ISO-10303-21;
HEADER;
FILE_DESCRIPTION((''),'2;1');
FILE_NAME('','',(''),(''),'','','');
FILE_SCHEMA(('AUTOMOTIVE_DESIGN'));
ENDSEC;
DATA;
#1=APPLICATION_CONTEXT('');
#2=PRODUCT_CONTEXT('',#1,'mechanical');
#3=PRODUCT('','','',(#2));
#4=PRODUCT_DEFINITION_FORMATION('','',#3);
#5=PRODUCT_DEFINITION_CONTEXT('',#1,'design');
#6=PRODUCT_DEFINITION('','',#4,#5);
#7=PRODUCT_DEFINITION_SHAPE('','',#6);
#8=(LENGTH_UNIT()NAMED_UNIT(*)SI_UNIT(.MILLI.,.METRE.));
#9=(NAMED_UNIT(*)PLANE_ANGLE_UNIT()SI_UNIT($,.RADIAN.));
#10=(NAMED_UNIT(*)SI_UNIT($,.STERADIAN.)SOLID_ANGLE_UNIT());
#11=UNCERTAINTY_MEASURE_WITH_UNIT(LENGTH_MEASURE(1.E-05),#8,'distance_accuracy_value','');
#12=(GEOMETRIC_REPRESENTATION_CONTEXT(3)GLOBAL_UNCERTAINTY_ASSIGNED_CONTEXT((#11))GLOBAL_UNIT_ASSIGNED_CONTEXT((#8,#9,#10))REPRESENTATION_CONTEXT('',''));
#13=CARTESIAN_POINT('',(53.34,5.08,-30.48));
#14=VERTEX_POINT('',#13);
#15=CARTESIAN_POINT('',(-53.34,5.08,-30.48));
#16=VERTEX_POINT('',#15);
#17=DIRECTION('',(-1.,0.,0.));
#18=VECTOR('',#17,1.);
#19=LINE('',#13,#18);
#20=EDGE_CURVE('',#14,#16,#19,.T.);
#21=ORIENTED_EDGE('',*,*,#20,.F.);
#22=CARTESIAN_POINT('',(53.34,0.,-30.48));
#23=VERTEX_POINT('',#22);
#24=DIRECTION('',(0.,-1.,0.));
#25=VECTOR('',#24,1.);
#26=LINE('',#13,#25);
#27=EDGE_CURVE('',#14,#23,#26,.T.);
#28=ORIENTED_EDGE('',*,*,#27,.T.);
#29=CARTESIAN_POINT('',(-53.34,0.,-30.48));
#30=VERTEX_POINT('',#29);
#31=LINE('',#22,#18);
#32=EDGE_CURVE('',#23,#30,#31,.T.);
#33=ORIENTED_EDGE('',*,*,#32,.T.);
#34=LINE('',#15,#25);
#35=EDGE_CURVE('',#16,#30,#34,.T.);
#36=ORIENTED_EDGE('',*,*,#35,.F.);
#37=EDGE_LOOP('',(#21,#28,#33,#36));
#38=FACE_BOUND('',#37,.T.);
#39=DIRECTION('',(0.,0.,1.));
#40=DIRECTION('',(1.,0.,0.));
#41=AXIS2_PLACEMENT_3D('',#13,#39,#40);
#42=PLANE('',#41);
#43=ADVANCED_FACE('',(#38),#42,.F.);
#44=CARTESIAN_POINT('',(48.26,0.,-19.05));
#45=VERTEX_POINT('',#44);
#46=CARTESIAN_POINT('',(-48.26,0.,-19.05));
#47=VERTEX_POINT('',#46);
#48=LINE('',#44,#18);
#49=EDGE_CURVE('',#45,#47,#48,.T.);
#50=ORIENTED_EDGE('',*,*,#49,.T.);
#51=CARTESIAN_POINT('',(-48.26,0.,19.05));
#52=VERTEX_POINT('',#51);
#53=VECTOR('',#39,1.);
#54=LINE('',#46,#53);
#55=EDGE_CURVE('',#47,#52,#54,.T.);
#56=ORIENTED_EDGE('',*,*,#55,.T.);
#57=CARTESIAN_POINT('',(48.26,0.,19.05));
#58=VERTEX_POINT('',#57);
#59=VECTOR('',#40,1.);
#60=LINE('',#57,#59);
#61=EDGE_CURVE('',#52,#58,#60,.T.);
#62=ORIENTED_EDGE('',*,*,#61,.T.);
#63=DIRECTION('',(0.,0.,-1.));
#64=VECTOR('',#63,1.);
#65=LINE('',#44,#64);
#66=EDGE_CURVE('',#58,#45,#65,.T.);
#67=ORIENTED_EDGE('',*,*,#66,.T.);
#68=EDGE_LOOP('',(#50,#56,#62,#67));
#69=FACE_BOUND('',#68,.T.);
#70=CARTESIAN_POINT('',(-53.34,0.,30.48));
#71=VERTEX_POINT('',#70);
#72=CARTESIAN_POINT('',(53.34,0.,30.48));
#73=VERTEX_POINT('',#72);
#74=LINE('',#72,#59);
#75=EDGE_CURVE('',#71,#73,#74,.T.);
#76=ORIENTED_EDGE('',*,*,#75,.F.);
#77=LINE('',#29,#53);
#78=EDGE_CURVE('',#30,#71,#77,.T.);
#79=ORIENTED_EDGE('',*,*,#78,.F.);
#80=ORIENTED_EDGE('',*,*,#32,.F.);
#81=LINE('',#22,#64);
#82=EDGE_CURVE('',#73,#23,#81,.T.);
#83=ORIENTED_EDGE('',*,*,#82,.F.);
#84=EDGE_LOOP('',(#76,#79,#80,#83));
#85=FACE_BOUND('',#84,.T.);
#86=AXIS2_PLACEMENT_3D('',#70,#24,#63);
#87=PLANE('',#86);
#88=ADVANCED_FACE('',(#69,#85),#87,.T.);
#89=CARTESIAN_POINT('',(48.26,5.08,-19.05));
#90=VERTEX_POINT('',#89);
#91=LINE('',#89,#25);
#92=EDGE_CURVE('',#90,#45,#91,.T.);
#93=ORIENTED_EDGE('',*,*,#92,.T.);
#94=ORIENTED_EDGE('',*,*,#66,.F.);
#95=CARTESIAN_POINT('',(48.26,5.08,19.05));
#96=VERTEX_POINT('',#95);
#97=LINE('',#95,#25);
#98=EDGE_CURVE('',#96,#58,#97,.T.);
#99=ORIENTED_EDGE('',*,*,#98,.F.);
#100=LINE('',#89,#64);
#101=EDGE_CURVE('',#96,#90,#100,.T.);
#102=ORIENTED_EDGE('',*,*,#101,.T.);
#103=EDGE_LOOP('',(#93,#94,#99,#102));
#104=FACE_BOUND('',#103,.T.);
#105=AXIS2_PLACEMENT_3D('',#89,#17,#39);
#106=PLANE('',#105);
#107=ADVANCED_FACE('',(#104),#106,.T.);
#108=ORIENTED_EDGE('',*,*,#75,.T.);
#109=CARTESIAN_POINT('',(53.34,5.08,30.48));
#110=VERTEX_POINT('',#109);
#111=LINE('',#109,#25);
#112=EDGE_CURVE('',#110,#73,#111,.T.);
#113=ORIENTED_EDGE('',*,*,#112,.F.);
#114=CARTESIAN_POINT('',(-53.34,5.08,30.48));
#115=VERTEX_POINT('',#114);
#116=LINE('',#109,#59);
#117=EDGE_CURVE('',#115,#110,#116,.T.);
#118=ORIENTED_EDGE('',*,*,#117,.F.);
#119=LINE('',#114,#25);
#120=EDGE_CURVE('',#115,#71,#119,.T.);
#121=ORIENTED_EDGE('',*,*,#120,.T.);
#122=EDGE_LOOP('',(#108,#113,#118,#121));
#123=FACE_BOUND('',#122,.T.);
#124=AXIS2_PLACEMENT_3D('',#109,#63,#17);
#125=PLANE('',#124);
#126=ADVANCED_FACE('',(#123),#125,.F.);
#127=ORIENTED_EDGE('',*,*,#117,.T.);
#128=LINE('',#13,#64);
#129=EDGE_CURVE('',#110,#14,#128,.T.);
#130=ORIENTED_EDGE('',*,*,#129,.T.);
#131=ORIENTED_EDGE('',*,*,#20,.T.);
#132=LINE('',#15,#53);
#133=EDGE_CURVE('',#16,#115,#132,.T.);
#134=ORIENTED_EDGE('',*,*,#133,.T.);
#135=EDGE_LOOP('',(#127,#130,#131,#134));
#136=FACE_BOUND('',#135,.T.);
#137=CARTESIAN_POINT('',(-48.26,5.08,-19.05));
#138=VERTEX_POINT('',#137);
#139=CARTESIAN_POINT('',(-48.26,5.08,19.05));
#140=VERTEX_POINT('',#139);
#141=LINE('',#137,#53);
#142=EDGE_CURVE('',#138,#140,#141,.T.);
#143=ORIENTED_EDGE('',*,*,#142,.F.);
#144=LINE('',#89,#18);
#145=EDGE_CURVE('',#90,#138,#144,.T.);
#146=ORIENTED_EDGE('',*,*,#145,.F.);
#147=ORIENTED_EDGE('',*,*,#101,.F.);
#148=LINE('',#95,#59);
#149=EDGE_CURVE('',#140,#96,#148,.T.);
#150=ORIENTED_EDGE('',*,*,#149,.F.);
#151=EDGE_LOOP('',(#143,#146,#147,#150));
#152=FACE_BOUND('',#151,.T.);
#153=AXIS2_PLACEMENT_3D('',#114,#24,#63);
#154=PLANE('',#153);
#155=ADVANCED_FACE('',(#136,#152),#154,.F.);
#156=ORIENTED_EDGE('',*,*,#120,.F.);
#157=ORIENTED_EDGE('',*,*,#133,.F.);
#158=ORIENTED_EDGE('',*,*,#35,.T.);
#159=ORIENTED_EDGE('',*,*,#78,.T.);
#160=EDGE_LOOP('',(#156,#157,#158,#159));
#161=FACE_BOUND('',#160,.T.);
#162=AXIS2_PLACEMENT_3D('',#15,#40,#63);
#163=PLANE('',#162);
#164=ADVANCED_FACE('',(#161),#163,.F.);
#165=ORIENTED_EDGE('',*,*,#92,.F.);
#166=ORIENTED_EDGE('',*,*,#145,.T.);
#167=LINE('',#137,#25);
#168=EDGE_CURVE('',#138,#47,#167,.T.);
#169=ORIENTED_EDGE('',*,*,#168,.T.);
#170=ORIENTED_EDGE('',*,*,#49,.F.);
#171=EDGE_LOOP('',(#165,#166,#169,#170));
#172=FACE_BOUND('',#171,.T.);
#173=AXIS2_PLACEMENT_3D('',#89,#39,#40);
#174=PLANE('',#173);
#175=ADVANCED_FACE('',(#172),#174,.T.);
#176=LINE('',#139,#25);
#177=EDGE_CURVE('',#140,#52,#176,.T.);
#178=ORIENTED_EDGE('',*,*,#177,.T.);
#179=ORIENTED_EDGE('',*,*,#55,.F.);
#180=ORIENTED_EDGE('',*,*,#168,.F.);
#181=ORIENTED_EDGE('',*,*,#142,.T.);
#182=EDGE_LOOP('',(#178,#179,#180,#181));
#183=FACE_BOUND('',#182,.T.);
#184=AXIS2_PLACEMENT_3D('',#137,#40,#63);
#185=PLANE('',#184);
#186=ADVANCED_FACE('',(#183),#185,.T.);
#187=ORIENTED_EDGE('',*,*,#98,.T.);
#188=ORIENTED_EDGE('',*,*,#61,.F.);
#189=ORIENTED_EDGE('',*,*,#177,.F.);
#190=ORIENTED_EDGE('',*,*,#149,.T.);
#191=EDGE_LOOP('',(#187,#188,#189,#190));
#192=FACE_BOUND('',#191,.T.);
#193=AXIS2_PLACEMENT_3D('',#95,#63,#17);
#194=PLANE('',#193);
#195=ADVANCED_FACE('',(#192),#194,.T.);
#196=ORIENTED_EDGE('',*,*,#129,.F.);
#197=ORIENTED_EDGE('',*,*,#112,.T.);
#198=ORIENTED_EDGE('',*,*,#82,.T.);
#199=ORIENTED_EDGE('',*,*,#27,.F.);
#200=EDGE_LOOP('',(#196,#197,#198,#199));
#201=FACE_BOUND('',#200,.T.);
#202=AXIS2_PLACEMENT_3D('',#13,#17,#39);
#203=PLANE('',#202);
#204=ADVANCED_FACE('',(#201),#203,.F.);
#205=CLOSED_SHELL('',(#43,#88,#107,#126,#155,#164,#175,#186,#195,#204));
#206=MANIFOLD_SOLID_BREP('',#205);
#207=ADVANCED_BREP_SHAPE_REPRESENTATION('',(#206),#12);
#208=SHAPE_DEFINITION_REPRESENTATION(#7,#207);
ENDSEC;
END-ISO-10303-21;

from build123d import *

# Parameters (mm, degrees)
SKETCH3_W           = 106.68
SKETCH3_H           = 60.96
SKETCH3_W_2         = 96.52
SKETCH3_H_2         = 38.1
BOSS_EXTRUDE1_DEPTH = 5.08


with BuildPart() as part:
    # Sketch3 → Boss-Extrude1 (new body)
    with BuildSketch(Plane(origin=(0, 0, 0), x_dir=(1, 0, 0), z_dir=(0, 1, 0))):
        Rectangle(SKETCH3_W, SKETCH3_H)
        Rectangle(SKETCH3_W_2, SKETCH3_H_2, mode=Mode.SUBTRACT)
    extrude(amount=BOSS_EXTRUDE1_DEPTH)


solid = part.part
